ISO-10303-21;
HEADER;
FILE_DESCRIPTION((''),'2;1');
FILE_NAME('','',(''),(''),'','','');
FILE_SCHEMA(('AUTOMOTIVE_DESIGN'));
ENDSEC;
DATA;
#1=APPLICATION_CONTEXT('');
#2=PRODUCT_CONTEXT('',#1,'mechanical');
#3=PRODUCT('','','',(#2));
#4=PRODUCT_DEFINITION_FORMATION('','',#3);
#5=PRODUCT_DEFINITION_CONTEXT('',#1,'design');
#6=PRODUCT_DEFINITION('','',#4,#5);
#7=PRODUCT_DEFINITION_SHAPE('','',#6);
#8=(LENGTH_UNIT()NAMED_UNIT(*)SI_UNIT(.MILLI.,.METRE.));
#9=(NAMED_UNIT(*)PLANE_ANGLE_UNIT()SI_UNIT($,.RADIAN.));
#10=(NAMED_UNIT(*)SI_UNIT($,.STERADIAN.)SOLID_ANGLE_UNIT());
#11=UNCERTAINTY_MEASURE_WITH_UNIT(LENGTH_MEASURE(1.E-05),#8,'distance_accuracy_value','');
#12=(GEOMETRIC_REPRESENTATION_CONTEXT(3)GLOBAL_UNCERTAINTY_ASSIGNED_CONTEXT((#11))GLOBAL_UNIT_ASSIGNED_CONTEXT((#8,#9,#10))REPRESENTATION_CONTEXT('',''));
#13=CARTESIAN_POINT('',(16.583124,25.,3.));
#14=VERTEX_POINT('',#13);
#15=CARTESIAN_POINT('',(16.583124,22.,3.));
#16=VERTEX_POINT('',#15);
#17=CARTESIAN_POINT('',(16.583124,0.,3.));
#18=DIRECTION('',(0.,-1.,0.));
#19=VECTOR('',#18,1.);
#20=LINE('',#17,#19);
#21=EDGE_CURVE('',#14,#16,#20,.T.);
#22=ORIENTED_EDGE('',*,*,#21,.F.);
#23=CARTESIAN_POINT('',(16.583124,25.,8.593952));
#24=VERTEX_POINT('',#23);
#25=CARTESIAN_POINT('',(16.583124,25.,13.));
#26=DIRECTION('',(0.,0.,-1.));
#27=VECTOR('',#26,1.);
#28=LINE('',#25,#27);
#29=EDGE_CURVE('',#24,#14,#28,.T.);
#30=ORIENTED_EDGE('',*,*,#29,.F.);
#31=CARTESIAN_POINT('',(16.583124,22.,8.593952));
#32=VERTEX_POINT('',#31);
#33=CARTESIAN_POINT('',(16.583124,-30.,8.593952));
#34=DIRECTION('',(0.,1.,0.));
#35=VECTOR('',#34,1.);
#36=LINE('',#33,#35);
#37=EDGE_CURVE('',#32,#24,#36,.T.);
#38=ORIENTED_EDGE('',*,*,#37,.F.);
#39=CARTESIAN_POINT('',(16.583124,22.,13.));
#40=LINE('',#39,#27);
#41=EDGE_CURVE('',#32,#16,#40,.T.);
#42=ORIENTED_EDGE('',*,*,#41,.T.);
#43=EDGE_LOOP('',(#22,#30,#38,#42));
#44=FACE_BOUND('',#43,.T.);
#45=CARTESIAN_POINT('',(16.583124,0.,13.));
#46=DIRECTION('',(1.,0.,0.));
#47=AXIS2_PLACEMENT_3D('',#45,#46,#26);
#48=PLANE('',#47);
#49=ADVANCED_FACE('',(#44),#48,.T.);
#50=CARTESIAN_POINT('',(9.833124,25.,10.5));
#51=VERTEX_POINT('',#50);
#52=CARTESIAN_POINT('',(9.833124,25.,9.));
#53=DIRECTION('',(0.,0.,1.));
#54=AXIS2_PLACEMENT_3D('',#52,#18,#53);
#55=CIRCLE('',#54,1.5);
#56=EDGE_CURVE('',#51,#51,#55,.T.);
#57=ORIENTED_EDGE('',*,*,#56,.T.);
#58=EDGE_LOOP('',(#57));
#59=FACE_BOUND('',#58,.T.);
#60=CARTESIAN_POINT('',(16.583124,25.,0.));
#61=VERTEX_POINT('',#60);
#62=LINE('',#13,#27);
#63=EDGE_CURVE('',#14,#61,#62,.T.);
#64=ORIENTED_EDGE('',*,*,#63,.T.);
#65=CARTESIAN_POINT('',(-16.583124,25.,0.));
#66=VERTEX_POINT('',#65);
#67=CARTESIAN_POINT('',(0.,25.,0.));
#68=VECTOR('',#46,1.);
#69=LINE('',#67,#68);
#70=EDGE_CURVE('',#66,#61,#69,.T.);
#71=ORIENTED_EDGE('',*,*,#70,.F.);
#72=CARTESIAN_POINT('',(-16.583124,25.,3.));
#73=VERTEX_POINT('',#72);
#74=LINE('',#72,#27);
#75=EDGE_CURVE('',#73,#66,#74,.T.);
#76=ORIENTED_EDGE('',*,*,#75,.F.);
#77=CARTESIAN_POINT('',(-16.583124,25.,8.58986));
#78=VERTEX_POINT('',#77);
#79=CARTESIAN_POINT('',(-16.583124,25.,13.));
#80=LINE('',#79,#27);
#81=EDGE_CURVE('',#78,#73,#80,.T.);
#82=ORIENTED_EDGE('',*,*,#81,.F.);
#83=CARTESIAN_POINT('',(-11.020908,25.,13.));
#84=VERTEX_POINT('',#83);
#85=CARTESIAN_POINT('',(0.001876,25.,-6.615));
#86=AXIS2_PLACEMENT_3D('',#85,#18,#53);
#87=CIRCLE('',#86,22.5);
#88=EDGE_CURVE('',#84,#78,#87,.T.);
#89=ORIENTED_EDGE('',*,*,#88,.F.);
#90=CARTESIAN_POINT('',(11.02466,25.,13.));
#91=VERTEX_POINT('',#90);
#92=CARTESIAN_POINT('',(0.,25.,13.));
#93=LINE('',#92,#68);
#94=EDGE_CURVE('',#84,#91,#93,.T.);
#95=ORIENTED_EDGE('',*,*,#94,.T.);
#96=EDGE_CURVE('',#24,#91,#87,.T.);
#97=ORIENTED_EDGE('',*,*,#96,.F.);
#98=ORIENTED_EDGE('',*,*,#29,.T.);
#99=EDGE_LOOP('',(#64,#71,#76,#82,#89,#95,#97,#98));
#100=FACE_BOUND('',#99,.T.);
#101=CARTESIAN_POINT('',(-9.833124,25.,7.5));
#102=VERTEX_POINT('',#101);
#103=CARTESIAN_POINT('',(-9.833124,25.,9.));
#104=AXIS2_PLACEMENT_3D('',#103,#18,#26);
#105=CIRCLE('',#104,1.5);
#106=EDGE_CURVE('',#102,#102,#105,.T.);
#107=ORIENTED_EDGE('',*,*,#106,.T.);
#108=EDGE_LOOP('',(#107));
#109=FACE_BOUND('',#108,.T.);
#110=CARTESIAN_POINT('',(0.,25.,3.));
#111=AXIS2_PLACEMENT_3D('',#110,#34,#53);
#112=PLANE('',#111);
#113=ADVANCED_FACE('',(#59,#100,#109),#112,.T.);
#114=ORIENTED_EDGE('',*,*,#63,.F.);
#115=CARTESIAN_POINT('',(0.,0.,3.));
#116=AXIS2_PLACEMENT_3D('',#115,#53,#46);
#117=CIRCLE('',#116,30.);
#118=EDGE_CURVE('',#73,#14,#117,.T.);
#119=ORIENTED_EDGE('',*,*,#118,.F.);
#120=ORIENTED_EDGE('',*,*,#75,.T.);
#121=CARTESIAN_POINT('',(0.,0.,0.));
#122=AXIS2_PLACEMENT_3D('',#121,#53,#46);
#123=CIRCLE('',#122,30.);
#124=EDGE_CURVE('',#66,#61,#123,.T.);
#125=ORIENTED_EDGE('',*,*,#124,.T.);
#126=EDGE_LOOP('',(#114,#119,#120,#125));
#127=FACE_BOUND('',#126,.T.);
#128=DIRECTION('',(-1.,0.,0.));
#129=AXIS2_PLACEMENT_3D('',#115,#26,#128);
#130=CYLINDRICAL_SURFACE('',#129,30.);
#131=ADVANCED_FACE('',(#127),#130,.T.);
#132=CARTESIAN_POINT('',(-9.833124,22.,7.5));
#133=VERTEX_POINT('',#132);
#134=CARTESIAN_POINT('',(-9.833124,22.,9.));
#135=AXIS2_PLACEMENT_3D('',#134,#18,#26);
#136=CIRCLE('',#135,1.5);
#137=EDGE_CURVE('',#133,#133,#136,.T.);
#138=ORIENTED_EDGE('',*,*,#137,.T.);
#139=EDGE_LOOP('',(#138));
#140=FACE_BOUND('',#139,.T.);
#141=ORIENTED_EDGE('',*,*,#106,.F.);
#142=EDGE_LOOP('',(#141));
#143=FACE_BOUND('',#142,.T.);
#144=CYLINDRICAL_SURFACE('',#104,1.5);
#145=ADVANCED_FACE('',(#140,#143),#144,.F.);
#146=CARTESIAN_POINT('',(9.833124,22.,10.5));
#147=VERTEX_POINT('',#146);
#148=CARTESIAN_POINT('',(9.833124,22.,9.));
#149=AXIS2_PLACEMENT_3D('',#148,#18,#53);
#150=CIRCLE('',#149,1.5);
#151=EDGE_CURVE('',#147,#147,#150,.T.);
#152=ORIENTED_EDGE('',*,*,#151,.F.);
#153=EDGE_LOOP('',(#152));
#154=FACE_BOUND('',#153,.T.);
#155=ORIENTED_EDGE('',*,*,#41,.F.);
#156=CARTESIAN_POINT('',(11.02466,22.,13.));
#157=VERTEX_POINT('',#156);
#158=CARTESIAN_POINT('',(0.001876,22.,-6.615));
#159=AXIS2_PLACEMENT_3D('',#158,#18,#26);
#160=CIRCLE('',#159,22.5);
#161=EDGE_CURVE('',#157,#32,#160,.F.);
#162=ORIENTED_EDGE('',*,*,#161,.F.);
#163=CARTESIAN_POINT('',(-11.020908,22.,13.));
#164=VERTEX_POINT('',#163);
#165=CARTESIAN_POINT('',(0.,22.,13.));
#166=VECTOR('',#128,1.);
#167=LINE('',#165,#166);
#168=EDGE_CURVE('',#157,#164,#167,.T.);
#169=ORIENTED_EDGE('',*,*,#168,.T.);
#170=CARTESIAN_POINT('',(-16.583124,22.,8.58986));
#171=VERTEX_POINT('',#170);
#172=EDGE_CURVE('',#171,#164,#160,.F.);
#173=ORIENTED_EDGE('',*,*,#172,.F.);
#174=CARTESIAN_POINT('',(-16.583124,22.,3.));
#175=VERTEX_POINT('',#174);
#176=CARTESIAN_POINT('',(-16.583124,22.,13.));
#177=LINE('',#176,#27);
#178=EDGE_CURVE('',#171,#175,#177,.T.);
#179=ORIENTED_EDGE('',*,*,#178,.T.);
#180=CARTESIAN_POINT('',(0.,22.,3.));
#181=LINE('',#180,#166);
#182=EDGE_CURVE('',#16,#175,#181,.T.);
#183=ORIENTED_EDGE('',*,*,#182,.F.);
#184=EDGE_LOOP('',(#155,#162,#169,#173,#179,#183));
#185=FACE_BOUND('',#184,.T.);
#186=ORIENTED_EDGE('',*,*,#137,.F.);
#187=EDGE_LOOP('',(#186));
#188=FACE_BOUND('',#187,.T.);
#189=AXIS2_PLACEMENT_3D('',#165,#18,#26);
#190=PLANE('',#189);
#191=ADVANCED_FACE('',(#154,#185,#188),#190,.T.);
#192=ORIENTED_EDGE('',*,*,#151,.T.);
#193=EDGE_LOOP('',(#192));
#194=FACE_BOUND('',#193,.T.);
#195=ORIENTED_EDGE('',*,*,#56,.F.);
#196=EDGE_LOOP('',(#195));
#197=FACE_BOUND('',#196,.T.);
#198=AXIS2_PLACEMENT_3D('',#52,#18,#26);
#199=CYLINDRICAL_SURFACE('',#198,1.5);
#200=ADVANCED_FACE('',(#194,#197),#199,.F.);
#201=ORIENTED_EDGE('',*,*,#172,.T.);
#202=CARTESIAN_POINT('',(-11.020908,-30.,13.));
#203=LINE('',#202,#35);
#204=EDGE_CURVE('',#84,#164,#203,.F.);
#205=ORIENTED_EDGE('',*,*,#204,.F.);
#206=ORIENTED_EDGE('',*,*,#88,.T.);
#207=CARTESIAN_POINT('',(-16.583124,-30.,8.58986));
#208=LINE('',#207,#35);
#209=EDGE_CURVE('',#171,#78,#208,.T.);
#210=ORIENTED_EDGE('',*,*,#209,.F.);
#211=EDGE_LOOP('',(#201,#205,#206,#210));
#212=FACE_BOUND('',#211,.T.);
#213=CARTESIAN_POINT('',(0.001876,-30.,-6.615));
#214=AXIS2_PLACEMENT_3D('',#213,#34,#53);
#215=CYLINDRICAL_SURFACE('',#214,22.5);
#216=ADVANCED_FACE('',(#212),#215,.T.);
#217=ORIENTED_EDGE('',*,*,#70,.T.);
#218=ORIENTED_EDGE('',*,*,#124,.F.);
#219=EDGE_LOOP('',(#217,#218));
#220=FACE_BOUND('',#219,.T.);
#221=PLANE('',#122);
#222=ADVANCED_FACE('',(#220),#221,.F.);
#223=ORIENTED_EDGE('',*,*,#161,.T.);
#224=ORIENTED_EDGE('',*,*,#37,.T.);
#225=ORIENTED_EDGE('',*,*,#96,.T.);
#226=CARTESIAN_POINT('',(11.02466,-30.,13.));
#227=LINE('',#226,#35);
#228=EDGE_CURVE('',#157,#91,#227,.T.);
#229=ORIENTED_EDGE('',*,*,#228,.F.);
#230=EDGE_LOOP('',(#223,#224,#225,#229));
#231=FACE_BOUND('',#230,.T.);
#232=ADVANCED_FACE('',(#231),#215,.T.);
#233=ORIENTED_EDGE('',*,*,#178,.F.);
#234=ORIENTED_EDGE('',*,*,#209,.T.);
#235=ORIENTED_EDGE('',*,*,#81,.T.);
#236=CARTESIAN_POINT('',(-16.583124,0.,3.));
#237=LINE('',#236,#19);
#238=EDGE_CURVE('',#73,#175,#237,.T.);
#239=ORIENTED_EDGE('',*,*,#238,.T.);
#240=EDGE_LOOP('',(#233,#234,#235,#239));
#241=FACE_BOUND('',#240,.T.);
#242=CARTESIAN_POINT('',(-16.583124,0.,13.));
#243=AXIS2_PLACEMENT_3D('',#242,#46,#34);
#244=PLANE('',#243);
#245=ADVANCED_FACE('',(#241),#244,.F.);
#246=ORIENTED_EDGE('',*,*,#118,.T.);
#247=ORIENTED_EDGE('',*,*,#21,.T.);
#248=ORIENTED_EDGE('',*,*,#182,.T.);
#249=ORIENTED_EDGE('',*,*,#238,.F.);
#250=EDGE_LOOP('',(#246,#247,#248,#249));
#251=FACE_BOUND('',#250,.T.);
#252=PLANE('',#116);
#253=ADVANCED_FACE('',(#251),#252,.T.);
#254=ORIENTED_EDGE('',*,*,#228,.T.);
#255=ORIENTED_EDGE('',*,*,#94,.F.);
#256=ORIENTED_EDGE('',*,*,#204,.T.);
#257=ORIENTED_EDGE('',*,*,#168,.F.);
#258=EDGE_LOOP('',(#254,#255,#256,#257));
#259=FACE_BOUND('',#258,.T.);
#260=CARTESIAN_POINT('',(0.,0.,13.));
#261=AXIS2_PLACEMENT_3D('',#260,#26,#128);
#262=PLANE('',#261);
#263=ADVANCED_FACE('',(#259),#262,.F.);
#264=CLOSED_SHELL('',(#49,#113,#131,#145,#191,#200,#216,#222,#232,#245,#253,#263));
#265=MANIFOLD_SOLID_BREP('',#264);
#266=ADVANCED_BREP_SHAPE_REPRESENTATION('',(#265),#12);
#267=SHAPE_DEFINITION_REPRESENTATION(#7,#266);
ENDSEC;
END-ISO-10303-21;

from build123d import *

# Parameters (mm, degrees)
BOSS_EXTRU_1_DEPTH      = 3
BOSS_EXTRU_2_START      = -3
ESQUISSE2_W             = 33.166247904
ESQUISSE2_H             = 3
BOSS_EXTRU_2_DEPTH      = 10
ENL_V_MAT_EXTRU_1_DEPTH = 64.984373092
ESQUISSE4_R             = 1.5
ENL_V_MAT_EXTRU_2_DEPTH = 62.424750712


with BuildPart() as part:
    # Esquisse1 → Boss.-Extru.1 (new body)
    with BuildSketch(Plane.XY):
        with BuildLine():
            Line((16.583123952, 25), (-16.583123952, 25))
            ThreePointArc((-16.583123952, 25), (-14.186371655, -26.433820369), (30, 0))
            ThreePointArc((30, 0), (26.433820369, 14.186371655), (16.583123952, 25))
        make_face()
    extrude(amount=BOSS_EXTRU_1_DEPTH)

    # Esquisse2 → Boss.-Extru.2 (add)
    with BuildSketch(Plane(origin=(0, 0, 0), x_dir=(-1, 0, 0), z_dir=(0, 0, -1)).offset(BOSS_EXTRU_2_START)):
        with Locations((0, 23.5)):
            Rectangle(ESQUISSE2_W, ESQUISSE2_H)
    extrude(amount=-BOSS_EXTRU_2_DEPTH)

    # Esquisse3 → Enlèv. mat.-Extru.1 (cut, through all)
    with BuildSketch(Plane(origin=(0, 25, 0), x_dir=(1, 0, 0), z_dir=(0, 1, 0))):
        with BuildLine():
            Line((11.024660406, -13), (16.583123952, -13))
            Line((16.583123952, -13), (16.583123952, -8.593951902))
            ThreePointArc((16.583123952, -8.593951902), (13.978605431, -11.017385992), (11.024660406, -13))
        make_face()
        with BuildLine():
            Line((-16.583123952, -8.589860243), (-16.583123952, -13))
            Line((-16.583123952, -13), (-11.02090831, -13))
            ThreePointArc((-11.02090831, -13), (-13.977028503, -11.015661574), (-16.583123952, -8.589860243))
        make_face()
    extrude(amount=-ENL_V_MAT_EXTRU_1_DEPTH, mode=Mode.SUBTRACT)

    # Esquisse4 → Enlèv. mat.-Extru.2 (cut, through all)
    with BuildSketch(Plane.XZ.offset(-22)):
        with Locations(Location((-9.833123952, 9, 0), (0, 0, 270))):
            Circle(ESQUISSE4_R)
        with Locations(Location((9.833123952, 9, 0), (0, 0, 90))):
            Circle(ESQUISSE4_R)
    extrude(amount=-ENL_V_MAT_EXTRU_2_DEPTH, mode=Mode.SUBTRACT)


solid = part.part
